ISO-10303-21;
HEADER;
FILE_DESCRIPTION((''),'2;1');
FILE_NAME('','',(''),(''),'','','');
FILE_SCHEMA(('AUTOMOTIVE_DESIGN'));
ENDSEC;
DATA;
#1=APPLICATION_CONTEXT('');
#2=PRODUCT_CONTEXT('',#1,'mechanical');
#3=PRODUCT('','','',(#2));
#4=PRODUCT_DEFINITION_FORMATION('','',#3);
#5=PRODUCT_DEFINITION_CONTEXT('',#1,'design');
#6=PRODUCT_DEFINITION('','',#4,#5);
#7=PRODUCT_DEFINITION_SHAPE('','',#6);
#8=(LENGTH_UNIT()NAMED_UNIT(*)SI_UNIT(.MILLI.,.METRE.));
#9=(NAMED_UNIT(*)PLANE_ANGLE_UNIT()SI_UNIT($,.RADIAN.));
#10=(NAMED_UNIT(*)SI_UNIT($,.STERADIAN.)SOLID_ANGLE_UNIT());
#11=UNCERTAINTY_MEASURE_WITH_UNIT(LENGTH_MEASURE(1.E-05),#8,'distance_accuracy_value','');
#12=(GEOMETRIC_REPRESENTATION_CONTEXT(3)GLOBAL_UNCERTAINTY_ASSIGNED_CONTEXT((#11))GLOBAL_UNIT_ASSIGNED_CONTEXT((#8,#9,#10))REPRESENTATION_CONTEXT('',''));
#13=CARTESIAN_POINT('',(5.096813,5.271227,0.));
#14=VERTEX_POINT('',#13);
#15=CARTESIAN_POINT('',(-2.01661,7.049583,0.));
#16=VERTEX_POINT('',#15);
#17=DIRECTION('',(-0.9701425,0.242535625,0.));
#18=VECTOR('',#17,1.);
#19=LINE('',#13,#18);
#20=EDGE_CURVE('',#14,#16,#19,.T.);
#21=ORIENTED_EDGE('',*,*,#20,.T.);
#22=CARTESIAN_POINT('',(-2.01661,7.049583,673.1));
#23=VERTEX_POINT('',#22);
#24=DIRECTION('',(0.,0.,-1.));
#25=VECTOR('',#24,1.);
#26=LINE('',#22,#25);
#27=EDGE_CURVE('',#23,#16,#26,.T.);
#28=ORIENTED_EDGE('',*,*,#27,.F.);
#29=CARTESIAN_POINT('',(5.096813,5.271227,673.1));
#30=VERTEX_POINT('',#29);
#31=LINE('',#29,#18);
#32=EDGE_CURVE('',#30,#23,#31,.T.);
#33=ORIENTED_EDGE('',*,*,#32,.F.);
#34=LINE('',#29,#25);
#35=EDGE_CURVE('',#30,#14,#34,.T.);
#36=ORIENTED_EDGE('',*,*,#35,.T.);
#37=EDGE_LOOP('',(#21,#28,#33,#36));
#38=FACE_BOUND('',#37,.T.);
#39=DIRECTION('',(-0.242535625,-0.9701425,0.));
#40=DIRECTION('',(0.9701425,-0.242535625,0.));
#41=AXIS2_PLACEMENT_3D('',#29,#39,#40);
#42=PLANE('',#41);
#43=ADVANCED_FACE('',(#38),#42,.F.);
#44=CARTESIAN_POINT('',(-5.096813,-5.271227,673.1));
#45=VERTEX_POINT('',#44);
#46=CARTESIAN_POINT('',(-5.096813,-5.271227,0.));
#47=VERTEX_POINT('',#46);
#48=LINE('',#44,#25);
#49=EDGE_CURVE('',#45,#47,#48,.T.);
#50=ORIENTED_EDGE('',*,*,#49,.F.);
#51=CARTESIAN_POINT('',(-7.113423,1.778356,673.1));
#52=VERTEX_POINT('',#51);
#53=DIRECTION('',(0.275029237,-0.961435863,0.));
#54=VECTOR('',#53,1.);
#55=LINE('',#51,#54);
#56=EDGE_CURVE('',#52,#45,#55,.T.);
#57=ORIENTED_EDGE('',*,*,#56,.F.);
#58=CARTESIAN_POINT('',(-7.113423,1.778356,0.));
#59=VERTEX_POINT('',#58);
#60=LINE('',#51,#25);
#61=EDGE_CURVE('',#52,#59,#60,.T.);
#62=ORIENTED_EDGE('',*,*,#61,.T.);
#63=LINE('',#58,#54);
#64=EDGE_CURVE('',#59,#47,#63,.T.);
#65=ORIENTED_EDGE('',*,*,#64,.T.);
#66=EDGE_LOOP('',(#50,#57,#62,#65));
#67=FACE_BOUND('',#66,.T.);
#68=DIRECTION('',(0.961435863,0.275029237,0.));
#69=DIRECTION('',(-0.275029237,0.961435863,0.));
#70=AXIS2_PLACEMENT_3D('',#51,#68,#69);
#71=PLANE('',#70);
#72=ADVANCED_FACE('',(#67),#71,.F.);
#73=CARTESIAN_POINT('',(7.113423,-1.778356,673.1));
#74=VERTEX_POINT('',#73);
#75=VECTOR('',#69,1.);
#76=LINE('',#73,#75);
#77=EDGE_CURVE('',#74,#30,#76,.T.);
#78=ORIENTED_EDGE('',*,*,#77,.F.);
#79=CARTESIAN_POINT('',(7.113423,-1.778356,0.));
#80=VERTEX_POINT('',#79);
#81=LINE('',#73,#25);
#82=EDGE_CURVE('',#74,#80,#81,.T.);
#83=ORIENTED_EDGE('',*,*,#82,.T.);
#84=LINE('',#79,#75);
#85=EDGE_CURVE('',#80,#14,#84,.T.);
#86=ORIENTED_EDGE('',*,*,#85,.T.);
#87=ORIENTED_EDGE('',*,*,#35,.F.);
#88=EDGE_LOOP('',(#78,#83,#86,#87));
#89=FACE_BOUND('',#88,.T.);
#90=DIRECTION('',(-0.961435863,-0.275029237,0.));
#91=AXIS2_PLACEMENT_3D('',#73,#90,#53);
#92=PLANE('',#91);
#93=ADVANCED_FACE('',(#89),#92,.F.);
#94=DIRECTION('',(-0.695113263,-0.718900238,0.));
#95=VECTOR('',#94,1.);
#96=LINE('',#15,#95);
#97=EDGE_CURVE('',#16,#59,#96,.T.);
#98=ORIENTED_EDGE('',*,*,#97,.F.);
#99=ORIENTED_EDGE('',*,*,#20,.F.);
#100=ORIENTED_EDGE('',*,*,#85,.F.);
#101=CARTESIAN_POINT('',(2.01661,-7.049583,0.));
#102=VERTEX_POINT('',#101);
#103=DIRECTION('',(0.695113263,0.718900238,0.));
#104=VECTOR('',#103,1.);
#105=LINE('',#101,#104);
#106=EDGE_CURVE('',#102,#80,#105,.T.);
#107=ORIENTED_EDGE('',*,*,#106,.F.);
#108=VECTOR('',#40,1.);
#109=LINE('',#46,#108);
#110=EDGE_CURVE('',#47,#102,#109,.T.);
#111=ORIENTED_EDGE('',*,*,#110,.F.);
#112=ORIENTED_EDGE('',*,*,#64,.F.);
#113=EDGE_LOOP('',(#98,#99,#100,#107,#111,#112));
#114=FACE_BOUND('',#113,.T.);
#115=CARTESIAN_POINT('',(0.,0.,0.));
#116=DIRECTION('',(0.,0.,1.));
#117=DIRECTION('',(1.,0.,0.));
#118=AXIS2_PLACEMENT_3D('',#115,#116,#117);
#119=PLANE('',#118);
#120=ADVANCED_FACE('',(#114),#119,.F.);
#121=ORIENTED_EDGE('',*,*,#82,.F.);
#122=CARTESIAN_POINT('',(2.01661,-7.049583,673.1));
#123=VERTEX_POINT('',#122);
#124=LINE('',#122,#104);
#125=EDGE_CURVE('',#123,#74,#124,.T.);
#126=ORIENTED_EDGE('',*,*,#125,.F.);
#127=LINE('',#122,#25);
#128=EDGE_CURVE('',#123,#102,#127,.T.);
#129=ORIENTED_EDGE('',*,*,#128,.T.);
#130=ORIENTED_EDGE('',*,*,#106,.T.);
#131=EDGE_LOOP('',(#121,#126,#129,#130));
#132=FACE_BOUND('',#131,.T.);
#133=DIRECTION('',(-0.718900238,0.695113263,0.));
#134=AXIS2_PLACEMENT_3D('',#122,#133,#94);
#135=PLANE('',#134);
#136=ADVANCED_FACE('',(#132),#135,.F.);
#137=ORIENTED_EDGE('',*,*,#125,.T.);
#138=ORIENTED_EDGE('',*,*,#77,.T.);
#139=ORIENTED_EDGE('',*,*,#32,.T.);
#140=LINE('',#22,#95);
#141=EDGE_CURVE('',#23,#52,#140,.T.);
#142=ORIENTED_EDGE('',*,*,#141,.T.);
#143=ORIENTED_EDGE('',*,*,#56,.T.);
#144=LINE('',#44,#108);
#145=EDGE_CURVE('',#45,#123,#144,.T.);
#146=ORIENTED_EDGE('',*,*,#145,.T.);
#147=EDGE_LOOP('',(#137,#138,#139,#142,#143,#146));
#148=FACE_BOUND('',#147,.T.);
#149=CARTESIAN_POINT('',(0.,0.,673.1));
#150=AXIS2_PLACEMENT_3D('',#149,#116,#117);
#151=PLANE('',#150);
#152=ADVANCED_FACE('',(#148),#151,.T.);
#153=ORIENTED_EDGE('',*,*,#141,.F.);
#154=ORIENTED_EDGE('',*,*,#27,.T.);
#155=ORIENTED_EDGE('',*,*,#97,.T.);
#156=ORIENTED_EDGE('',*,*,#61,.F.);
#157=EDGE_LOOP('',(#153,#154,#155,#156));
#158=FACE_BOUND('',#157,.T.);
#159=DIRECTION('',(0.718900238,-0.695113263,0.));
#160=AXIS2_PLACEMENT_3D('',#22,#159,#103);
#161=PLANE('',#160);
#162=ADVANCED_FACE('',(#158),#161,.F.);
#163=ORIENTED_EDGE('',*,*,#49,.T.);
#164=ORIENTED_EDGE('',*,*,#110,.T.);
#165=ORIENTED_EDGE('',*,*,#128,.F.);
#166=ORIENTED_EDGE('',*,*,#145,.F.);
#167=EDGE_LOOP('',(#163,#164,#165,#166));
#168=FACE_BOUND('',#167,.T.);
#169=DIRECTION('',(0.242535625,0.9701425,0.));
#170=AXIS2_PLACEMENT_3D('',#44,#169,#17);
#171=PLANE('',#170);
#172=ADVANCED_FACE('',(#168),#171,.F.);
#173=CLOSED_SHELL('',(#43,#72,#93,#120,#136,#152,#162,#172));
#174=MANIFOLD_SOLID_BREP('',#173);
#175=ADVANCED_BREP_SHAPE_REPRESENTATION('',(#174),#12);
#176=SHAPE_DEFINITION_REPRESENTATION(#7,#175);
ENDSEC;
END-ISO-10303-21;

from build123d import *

# Parameters (mm, degrees)
BOSS_EXTRUDE1_DEPTH = 673.1


with BuildPart() as part:
    # Sketch1 → Boss-Extrude1 (new body)
    with BuildSketch(Plane.XY):
        Polygon((-7.113422827, 1.778355707), (-5.096812632, -5.271227023), (2.016610194, -7.049582729), (7.113422827, -1.778355707), (5.096812632, 5.271227023), (-2.016610194, 7.049582729), align=None)
    extrude(amount=BOSS_EXTRUDE1_DEPTH)


solid = part.part
